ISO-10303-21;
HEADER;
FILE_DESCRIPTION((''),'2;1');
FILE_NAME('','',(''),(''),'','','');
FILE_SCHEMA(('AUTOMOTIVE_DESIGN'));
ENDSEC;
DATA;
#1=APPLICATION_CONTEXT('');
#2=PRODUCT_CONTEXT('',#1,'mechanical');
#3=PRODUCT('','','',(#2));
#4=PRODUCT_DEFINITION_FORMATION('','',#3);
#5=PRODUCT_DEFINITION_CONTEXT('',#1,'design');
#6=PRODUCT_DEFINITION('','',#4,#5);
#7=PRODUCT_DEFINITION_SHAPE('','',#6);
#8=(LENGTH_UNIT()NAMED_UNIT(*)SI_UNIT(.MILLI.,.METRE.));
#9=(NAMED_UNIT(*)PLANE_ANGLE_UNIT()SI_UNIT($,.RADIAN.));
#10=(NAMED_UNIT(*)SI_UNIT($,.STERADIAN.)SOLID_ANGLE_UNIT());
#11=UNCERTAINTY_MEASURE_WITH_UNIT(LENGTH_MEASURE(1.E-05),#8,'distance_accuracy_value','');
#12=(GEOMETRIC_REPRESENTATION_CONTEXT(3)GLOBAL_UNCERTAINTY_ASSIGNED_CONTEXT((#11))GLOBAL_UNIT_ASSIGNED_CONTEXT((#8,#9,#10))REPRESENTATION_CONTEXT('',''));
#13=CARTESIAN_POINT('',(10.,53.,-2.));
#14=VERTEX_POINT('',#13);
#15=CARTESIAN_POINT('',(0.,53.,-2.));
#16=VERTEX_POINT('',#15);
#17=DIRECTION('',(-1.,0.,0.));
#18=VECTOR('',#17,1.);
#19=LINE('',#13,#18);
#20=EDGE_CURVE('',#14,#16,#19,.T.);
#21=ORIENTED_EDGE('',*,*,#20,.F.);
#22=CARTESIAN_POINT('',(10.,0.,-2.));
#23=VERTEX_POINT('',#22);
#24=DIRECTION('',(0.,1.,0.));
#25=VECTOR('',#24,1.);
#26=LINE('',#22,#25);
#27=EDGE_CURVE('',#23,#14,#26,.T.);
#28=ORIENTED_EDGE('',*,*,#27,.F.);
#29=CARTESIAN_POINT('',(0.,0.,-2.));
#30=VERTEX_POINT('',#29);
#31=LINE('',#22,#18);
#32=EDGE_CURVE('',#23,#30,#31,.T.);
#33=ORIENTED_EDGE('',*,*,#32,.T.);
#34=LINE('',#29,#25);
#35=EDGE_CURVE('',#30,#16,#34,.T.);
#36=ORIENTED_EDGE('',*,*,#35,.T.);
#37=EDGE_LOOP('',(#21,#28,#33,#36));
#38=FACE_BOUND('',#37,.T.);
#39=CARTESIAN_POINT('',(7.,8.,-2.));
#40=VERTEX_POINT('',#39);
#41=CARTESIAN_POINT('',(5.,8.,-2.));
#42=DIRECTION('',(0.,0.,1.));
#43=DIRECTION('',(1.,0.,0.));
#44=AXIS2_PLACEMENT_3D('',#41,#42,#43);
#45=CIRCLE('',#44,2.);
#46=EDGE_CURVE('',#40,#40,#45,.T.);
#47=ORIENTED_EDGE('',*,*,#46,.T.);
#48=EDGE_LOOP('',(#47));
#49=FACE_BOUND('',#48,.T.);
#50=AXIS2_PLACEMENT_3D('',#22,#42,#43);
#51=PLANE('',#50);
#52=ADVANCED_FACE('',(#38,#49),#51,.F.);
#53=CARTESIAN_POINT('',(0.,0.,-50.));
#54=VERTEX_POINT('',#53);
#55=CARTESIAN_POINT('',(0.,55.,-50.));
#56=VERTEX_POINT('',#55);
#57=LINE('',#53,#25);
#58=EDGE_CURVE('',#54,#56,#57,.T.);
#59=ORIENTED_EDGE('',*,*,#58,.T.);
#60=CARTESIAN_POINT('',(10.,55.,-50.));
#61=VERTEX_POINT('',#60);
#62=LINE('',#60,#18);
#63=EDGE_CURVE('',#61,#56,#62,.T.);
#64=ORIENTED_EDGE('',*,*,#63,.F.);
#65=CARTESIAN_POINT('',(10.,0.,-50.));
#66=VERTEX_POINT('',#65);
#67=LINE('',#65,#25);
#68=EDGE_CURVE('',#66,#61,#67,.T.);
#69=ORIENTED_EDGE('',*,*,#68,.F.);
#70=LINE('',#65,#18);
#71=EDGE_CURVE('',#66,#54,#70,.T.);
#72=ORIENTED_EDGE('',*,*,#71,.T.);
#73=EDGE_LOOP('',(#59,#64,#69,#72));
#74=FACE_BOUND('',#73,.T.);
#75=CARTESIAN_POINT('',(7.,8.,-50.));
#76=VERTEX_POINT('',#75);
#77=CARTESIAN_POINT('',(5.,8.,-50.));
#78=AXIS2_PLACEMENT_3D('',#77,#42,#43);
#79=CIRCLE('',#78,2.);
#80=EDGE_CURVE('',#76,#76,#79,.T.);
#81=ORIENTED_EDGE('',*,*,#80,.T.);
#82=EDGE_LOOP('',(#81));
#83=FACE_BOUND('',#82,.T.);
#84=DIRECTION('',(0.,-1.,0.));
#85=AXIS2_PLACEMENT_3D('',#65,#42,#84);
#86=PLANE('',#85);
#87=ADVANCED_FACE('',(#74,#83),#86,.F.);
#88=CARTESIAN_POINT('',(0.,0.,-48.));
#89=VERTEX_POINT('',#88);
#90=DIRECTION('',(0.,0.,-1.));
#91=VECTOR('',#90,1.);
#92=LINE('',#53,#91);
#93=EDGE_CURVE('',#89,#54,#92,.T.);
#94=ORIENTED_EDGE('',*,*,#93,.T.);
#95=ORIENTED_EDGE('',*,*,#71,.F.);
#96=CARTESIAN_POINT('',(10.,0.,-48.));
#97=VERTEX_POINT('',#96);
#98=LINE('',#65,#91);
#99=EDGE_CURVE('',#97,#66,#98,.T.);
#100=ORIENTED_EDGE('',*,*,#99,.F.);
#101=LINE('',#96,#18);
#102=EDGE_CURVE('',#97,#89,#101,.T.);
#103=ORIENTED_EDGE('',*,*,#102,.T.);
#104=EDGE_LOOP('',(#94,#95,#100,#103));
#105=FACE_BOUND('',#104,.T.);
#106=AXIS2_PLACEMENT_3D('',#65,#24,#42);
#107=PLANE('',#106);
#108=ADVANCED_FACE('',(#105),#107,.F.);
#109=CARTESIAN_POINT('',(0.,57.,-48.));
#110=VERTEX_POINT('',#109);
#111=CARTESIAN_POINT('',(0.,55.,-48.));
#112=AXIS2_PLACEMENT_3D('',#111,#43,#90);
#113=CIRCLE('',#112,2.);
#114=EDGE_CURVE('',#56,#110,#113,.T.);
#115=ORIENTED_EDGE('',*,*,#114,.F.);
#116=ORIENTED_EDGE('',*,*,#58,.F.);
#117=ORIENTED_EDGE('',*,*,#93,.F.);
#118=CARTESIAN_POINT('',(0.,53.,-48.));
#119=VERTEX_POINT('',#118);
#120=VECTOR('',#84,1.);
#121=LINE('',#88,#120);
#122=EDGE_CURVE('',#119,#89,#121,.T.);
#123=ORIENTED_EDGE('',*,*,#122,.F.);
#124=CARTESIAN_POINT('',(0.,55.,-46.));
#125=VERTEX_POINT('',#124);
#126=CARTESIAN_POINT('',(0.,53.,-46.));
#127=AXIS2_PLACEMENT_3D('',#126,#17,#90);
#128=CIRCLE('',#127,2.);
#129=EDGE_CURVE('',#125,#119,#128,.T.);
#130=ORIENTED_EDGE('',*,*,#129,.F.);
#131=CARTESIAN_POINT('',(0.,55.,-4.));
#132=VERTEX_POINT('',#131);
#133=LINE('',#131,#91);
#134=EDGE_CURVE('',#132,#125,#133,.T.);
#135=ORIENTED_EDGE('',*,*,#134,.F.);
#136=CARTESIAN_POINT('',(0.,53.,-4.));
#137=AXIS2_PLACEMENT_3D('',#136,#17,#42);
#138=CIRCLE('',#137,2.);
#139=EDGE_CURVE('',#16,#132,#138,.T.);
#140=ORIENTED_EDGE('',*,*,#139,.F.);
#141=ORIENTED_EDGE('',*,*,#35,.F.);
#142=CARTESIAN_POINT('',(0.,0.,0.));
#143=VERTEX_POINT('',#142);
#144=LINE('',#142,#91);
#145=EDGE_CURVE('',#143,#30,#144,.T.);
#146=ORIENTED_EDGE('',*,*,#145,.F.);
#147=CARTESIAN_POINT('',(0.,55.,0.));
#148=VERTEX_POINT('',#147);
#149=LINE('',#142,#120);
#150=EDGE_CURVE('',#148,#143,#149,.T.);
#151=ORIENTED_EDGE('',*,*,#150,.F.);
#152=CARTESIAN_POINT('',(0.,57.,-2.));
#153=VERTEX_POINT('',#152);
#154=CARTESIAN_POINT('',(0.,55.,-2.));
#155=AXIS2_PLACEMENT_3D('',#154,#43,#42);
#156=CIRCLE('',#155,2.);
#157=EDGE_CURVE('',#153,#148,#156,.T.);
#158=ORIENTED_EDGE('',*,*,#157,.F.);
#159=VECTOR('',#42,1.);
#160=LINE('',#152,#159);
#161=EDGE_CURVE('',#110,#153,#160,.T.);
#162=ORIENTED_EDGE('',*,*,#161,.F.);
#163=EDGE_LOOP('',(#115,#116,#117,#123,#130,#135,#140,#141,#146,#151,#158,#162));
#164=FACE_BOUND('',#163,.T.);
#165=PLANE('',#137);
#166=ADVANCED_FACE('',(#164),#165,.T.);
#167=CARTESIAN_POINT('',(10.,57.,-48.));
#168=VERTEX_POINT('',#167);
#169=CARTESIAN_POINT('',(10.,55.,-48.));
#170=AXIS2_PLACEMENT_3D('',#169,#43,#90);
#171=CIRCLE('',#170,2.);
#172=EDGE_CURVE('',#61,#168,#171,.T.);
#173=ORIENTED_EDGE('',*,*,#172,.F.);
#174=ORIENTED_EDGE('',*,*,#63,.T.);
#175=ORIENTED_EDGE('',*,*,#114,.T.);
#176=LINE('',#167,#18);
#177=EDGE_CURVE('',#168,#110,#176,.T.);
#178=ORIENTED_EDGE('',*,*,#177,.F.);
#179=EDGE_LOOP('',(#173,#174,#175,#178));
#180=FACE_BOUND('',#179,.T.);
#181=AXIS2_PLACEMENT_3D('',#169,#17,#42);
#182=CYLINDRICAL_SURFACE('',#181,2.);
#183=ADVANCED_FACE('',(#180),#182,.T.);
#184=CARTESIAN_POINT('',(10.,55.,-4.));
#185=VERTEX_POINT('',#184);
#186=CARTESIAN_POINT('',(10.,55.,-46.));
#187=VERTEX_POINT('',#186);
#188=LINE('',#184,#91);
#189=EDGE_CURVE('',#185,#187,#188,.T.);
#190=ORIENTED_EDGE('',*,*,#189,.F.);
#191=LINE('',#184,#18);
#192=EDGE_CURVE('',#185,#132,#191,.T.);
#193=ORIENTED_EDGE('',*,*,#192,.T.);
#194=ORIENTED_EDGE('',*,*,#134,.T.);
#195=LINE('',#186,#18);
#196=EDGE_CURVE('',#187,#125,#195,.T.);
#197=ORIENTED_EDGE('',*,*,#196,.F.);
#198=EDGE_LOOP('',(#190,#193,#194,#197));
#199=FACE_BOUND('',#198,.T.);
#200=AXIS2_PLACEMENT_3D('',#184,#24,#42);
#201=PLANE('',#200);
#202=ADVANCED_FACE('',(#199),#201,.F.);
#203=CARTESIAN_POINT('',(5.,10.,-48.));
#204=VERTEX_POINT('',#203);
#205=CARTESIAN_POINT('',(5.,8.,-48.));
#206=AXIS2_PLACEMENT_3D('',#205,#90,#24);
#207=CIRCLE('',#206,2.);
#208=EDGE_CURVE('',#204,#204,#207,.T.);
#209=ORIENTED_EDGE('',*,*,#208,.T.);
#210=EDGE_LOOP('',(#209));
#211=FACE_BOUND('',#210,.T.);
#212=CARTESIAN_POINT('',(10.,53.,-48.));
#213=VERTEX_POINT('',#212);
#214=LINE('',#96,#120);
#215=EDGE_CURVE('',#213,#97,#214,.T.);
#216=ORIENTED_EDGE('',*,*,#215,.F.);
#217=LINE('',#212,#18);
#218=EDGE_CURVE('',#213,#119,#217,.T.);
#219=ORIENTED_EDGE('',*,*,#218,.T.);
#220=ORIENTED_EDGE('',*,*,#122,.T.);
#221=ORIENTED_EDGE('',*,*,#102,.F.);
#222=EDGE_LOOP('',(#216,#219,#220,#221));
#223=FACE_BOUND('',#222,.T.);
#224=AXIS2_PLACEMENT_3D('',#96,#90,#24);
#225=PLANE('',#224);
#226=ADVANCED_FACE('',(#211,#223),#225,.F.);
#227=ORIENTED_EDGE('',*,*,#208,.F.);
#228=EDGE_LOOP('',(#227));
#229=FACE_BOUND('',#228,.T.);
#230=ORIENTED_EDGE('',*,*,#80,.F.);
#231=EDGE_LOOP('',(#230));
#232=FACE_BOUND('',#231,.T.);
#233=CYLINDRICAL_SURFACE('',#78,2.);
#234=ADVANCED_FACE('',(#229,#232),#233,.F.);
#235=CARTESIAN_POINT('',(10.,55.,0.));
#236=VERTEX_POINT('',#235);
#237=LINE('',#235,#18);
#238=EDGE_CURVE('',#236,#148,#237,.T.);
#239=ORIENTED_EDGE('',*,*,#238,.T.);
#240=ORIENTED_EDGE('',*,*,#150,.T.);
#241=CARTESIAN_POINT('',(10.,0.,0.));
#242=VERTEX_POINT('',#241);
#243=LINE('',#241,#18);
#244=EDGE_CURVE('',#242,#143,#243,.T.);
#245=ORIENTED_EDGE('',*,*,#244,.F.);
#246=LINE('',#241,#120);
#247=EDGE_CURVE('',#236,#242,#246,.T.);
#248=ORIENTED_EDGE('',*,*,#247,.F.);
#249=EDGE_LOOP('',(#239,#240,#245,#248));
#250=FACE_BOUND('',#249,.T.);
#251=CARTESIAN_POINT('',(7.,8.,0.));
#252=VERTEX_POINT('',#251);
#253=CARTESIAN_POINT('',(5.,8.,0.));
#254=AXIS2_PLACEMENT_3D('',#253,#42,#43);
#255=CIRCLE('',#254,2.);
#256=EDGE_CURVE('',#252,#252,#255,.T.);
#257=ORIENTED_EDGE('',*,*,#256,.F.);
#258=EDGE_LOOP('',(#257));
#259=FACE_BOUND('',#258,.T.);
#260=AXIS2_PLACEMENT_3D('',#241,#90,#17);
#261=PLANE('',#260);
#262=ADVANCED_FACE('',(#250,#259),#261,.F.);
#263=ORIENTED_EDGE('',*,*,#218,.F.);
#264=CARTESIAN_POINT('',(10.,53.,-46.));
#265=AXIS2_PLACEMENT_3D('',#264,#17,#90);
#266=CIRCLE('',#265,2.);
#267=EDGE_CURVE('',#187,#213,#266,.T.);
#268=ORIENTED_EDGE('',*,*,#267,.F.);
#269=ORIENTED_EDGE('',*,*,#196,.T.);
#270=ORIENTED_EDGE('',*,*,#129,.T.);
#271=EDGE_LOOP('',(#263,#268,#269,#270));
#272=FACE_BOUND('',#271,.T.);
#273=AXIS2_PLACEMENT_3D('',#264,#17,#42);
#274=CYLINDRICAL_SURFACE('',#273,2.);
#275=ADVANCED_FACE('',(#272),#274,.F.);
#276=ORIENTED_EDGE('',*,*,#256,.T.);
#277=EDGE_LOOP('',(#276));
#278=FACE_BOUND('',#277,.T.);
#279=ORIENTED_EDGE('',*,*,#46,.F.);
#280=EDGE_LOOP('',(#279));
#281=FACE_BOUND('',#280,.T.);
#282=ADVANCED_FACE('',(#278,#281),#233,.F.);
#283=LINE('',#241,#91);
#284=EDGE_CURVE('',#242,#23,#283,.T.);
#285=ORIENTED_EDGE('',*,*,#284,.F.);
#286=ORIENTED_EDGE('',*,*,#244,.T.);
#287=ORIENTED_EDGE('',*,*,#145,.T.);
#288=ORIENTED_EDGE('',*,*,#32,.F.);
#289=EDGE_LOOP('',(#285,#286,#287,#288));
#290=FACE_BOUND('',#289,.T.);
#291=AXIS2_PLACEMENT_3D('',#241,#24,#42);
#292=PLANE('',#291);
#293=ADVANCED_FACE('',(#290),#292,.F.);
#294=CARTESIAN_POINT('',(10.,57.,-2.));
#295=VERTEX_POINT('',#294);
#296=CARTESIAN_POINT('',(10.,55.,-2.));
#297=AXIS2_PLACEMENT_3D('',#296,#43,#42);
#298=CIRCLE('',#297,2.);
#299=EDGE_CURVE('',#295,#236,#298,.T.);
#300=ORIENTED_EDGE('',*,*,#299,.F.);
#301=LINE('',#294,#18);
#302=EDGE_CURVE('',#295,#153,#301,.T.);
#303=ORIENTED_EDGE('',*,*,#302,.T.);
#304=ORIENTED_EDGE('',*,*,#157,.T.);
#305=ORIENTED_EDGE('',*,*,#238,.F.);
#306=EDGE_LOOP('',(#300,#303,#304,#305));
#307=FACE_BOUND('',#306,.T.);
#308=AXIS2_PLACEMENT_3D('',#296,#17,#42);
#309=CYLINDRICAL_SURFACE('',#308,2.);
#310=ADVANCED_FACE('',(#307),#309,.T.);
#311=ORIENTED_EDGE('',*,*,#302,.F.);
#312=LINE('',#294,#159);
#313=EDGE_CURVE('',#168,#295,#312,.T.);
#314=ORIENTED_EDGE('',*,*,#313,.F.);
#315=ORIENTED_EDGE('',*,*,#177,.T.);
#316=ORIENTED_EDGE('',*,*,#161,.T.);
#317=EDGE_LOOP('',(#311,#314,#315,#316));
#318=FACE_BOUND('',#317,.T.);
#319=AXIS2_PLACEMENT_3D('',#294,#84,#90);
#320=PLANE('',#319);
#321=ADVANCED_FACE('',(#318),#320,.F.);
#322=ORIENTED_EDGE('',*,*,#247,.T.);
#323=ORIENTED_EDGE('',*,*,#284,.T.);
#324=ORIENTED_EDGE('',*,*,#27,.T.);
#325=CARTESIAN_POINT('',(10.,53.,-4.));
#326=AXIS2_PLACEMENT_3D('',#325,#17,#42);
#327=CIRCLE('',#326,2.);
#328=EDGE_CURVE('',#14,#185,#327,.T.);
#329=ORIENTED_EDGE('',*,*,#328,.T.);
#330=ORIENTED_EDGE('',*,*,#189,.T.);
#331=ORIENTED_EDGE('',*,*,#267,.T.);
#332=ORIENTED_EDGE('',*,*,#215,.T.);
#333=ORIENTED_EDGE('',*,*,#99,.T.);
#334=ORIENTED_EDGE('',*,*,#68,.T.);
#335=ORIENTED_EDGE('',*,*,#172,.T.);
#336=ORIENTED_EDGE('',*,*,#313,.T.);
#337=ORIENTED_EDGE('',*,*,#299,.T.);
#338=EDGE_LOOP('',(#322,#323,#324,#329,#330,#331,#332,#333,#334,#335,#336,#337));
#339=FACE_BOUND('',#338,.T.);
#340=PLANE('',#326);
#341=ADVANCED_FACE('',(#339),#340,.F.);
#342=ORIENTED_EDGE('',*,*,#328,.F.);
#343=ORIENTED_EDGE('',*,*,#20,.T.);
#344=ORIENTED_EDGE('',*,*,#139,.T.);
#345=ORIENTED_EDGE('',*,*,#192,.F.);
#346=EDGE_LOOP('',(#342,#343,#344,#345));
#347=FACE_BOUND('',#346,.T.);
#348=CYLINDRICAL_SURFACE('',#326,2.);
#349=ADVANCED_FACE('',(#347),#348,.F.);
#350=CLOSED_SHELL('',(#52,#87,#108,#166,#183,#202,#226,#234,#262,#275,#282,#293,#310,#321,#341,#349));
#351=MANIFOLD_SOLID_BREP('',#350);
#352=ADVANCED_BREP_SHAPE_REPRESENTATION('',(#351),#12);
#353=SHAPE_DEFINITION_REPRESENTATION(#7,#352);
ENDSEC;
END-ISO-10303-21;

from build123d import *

# Parameters (mm, degrees)
EXTRUDE_1_DEPTH     = 10
SKETCH_2_R          = 2
CUT_EXTRUDE_1_DEPTH = 77.47875522


with BuildPart() as part:
    # 草图1 → 凸台-拉伸1 (new body)
    with BuildSketch(Plane(origin=(0, 0, 0), x_dir=(0, 0, -1), z_dir=(1, 0, 0))):
        with BuildLine():
            Line((0, 0), (0, 55))
            ThreePointArc((0, 55), (0.585786438, 56.414213562), (2, 57))
            Line((2, 57), (48, 57))
            ThreePointArc((48, 57), (49.414213562, 56.414213562), (50, 55))
            Line((50, 55), (50, 0))
            Line((50, 0), (48, 0))
            Line((48, 0), (48, 53))
            ThreePointArc((48, 53), (47.414213562, 54.414213562), (46, 55))
            Line((46, 55), (4, 55))
            ThreePointArc((4, 55), (2.585786438, 54.414213562), (2, 53))
            Line((2, 53), (2, 0))
            Line((2, 0), (0, 0))
        make_face()
    extrude(amount=EXTRUDE_1_DEPTH)

    # 草图2 → 切除-拉伸1 (cut, through all)
    with BuildSketch(Plane.XY):
        with Locations((5, 8)):
            Circle(SKETCH_2_R)
    extrude(amount=-CUT_EXTRUDE_1_DEPTH, mode=Mode.SUBTRACT)


solid = part.part
